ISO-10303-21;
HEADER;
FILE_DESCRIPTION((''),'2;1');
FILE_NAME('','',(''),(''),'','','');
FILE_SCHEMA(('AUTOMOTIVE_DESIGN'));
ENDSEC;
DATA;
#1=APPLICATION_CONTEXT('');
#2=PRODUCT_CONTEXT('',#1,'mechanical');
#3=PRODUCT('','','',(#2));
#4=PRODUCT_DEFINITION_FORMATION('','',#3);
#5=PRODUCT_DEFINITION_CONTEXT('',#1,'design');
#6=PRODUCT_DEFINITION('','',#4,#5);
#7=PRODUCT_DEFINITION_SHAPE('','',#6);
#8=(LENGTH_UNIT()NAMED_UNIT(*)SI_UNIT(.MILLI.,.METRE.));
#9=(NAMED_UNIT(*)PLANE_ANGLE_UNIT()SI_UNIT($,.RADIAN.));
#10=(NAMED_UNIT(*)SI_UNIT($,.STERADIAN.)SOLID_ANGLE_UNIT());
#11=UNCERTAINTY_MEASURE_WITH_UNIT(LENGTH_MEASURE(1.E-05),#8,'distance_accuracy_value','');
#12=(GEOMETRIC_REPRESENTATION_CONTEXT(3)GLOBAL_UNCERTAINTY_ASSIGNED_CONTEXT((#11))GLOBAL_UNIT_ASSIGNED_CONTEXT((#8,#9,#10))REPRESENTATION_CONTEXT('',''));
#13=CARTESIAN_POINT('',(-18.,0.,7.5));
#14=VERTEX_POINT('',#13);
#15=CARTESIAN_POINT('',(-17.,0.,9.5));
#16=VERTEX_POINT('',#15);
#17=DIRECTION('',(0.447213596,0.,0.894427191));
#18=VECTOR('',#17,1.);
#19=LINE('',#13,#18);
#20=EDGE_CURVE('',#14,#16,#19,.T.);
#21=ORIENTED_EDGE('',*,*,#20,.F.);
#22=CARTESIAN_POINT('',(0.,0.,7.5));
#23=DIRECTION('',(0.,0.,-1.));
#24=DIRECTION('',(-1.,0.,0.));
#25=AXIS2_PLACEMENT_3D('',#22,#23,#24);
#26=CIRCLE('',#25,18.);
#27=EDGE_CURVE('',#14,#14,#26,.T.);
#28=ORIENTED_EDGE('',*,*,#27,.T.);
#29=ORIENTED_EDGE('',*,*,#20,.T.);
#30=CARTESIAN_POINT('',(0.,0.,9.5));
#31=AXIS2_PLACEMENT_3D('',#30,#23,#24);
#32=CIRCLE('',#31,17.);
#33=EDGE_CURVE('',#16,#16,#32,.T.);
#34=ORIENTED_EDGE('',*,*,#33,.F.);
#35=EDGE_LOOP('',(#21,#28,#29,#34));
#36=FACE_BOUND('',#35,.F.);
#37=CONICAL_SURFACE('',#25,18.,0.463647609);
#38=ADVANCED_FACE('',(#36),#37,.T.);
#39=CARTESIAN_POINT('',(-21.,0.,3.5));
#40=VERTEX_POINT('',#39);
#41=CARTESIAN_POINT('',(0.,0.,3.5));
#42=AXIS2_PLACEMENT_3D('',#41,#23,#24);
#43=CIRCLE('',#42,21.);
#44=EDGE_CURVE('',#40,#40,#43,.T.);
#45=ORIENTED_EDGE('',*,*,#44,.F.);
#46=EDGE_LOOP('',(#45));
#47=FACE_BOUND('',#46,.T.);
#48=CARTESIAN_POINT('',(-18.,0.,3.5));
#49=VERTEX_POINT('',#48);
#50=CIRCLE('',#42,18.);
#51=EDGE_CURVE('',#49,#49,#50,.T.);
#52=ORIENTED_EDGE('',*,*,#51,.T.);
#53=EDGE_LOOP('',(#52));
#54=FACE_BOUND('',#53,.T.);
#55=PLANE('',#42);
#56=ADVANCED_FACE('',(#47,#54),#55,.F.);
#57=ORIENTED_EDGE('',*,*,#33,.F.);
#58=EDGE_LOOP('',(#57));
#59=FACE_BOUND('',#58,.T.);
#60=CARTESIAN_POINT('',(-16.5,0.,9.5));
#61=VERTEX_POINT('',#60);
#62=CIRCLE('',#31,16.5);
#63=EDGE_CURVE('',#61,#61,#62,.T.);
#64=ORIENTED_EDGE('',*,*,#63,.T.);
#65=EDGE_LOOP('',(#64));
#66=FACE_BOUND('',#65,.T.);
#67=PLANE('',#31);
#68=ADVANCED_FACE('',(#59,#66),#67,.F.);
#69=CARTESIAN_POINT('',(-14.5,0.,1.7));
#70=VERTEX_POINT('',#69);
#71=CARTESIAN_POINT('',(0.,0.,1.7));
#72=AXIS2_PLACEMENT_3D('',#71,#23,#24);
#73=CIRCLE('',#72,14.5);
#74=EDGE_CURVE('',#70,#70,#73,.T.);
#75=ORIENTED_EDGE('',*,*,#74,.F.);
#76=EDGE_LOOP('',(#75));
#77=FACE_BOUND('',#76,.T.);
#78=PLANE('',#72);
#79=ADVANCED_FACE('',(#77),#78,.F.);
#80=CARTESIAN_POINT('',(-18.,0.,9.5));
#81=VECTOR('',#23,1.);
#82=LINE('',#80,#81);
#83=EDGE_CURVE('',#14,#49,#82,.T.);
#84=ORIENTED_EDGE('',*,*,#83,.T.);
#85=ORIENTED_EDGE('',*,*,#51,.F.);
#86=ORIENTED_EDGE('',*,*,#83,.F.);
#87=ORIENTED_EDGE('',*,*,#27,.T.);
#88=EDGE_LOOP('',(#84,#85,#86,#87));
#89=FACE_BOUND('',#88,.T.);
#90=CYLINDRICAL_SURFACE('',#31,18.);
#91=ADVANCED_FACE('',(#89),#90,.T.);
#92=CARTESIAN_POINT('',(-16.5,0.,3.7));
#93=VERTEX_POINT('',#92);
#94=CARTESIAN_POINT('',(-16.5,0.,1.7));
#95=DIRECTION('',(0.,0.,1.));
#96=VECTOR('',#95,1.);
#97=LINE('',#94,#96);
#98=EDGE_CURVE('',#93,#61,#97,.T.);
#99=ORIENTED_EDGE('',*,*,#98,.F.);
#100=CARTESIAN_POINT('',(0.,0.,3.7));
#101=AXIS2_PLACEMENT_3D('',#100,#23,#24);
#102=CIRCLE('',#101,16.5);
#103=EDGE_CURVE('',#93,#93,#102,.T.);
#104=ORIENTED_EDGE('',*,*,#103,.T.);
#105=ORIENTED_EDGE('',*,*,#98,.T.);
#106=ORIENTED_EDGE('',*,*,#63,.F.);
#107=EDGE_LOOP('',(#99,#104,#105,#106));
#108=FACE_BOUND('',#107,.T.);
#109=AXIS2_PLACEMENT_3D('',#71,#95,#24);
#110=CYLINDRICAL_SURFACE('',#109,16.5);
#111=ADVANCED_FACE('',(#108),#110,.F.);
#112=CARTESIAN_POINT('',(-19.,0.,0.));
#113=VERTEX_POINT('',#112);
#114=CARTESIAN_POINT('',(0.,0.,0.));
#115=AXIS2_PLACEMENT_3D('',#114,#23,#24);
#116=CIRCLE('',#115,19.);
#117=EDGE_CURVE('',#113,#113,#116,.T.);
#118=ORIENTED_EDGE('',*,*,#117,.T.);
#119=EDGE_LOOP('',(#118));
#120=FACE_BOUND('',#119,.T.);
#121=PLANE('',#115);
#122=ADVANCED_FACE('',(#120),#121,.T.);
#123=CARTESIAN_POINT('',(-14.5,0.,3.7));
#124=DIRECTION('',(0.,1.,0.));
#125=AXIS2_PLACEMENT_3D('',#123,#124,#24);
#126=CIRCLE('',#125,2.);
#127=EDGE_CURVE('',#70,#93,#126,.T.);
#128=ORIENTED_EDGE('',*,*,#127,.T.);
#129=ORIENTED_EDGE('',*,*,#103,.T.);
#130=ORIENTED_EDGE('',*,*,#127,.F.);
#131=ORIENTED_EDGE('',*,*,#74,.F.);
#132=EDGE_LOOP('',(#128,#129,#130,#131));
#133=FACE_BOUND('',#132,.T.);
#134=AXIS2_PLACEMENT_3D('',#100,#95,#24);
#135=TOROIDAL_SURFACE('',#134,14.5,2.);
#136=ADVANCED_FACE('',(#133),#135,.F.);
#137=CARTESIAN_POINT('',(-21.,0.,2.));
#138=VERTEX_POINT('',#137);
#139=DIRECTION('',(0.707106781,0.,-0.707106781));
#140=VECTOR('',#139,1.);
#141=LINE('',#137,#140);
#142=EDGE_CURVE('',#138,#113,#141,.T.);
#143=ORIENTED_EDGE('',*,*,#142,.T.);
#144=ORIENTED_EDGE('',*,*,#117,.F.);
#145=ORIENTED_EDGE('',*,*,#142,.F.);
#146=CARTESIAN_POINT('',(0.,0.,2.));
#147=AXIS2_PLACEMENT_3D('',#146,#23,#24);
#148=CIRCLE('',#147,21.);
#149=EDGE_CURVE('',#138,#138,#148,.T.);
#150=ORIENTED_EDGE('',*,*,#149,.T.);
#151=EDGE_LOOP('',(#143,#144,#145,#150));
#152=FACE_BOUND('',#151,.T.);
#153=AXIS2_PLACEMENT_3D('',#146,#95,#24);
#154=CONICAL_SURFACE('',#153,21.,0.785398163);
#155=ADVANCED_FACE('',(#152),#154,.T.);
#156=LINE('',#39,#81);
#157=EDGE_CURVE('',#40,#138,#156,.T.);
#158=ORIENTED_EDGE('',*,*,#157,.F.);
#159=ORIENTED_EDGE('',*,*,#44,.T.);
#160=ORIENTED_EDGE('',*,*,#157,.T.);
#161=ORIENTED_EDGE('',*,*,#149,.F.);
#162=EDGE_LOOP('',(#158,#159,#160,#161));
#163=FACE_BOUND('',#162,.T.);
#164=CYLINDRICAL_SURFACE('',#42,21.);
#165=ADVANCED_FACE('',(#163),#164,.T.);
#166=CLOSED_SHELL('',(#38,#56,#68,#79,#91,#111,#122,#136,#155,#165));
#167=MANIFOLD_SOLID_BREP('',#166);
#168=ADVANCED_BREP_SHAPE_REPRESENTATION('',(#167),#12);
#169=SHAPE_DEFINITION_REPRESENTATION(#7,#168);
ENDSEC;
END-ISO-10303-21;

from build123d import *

# Parameters (mm, degrees)
F2_R     = 2
F3_SIZE  = 2
F4_SIZE2 = 1
F4_SIZE  = 2


with BuildPart() as f1:
    # F0 (on Front) → F1 (revolve)
    with BuildSketch(Plane.XZ):
        Polygon((-18, 3.5), (-21, 3.5), (-21, 0), (0, 0), (0, 1.7), (-16.5, 1.7), (-16.5, 9.5), (-18, 9.5), align=None)
    revolve(axis=Axis((0, 0, 0.85), (0, 0, -1)))

    # F2
    f2_edges = [f1.edges().sort_by_distance(p)[0] for p in [
        (16.5, 0, 1.7),
    ]]
    fillet(f2_edges, radius=F2_R)

    # F3
    f3_edges = [f1.edges().sort_by_distance(p)[0] for p in [
        (21, 0, 0),
    ]]
    chamfer(f3_edges, length=F3_SIZE)

    # F4
    f4_edges = [f1.edges().sort_by_distance(p)[0] for p in [
        (18, 0, 9.5),
    ]]
    f4_side = f1.faces().sort_by_distance((18, 0, 6.5))[0]
    chamfer(f4_edges, length=F4_SIZE, length2=F4_SIZE2, reference=f4_side)


solid = f1.part
